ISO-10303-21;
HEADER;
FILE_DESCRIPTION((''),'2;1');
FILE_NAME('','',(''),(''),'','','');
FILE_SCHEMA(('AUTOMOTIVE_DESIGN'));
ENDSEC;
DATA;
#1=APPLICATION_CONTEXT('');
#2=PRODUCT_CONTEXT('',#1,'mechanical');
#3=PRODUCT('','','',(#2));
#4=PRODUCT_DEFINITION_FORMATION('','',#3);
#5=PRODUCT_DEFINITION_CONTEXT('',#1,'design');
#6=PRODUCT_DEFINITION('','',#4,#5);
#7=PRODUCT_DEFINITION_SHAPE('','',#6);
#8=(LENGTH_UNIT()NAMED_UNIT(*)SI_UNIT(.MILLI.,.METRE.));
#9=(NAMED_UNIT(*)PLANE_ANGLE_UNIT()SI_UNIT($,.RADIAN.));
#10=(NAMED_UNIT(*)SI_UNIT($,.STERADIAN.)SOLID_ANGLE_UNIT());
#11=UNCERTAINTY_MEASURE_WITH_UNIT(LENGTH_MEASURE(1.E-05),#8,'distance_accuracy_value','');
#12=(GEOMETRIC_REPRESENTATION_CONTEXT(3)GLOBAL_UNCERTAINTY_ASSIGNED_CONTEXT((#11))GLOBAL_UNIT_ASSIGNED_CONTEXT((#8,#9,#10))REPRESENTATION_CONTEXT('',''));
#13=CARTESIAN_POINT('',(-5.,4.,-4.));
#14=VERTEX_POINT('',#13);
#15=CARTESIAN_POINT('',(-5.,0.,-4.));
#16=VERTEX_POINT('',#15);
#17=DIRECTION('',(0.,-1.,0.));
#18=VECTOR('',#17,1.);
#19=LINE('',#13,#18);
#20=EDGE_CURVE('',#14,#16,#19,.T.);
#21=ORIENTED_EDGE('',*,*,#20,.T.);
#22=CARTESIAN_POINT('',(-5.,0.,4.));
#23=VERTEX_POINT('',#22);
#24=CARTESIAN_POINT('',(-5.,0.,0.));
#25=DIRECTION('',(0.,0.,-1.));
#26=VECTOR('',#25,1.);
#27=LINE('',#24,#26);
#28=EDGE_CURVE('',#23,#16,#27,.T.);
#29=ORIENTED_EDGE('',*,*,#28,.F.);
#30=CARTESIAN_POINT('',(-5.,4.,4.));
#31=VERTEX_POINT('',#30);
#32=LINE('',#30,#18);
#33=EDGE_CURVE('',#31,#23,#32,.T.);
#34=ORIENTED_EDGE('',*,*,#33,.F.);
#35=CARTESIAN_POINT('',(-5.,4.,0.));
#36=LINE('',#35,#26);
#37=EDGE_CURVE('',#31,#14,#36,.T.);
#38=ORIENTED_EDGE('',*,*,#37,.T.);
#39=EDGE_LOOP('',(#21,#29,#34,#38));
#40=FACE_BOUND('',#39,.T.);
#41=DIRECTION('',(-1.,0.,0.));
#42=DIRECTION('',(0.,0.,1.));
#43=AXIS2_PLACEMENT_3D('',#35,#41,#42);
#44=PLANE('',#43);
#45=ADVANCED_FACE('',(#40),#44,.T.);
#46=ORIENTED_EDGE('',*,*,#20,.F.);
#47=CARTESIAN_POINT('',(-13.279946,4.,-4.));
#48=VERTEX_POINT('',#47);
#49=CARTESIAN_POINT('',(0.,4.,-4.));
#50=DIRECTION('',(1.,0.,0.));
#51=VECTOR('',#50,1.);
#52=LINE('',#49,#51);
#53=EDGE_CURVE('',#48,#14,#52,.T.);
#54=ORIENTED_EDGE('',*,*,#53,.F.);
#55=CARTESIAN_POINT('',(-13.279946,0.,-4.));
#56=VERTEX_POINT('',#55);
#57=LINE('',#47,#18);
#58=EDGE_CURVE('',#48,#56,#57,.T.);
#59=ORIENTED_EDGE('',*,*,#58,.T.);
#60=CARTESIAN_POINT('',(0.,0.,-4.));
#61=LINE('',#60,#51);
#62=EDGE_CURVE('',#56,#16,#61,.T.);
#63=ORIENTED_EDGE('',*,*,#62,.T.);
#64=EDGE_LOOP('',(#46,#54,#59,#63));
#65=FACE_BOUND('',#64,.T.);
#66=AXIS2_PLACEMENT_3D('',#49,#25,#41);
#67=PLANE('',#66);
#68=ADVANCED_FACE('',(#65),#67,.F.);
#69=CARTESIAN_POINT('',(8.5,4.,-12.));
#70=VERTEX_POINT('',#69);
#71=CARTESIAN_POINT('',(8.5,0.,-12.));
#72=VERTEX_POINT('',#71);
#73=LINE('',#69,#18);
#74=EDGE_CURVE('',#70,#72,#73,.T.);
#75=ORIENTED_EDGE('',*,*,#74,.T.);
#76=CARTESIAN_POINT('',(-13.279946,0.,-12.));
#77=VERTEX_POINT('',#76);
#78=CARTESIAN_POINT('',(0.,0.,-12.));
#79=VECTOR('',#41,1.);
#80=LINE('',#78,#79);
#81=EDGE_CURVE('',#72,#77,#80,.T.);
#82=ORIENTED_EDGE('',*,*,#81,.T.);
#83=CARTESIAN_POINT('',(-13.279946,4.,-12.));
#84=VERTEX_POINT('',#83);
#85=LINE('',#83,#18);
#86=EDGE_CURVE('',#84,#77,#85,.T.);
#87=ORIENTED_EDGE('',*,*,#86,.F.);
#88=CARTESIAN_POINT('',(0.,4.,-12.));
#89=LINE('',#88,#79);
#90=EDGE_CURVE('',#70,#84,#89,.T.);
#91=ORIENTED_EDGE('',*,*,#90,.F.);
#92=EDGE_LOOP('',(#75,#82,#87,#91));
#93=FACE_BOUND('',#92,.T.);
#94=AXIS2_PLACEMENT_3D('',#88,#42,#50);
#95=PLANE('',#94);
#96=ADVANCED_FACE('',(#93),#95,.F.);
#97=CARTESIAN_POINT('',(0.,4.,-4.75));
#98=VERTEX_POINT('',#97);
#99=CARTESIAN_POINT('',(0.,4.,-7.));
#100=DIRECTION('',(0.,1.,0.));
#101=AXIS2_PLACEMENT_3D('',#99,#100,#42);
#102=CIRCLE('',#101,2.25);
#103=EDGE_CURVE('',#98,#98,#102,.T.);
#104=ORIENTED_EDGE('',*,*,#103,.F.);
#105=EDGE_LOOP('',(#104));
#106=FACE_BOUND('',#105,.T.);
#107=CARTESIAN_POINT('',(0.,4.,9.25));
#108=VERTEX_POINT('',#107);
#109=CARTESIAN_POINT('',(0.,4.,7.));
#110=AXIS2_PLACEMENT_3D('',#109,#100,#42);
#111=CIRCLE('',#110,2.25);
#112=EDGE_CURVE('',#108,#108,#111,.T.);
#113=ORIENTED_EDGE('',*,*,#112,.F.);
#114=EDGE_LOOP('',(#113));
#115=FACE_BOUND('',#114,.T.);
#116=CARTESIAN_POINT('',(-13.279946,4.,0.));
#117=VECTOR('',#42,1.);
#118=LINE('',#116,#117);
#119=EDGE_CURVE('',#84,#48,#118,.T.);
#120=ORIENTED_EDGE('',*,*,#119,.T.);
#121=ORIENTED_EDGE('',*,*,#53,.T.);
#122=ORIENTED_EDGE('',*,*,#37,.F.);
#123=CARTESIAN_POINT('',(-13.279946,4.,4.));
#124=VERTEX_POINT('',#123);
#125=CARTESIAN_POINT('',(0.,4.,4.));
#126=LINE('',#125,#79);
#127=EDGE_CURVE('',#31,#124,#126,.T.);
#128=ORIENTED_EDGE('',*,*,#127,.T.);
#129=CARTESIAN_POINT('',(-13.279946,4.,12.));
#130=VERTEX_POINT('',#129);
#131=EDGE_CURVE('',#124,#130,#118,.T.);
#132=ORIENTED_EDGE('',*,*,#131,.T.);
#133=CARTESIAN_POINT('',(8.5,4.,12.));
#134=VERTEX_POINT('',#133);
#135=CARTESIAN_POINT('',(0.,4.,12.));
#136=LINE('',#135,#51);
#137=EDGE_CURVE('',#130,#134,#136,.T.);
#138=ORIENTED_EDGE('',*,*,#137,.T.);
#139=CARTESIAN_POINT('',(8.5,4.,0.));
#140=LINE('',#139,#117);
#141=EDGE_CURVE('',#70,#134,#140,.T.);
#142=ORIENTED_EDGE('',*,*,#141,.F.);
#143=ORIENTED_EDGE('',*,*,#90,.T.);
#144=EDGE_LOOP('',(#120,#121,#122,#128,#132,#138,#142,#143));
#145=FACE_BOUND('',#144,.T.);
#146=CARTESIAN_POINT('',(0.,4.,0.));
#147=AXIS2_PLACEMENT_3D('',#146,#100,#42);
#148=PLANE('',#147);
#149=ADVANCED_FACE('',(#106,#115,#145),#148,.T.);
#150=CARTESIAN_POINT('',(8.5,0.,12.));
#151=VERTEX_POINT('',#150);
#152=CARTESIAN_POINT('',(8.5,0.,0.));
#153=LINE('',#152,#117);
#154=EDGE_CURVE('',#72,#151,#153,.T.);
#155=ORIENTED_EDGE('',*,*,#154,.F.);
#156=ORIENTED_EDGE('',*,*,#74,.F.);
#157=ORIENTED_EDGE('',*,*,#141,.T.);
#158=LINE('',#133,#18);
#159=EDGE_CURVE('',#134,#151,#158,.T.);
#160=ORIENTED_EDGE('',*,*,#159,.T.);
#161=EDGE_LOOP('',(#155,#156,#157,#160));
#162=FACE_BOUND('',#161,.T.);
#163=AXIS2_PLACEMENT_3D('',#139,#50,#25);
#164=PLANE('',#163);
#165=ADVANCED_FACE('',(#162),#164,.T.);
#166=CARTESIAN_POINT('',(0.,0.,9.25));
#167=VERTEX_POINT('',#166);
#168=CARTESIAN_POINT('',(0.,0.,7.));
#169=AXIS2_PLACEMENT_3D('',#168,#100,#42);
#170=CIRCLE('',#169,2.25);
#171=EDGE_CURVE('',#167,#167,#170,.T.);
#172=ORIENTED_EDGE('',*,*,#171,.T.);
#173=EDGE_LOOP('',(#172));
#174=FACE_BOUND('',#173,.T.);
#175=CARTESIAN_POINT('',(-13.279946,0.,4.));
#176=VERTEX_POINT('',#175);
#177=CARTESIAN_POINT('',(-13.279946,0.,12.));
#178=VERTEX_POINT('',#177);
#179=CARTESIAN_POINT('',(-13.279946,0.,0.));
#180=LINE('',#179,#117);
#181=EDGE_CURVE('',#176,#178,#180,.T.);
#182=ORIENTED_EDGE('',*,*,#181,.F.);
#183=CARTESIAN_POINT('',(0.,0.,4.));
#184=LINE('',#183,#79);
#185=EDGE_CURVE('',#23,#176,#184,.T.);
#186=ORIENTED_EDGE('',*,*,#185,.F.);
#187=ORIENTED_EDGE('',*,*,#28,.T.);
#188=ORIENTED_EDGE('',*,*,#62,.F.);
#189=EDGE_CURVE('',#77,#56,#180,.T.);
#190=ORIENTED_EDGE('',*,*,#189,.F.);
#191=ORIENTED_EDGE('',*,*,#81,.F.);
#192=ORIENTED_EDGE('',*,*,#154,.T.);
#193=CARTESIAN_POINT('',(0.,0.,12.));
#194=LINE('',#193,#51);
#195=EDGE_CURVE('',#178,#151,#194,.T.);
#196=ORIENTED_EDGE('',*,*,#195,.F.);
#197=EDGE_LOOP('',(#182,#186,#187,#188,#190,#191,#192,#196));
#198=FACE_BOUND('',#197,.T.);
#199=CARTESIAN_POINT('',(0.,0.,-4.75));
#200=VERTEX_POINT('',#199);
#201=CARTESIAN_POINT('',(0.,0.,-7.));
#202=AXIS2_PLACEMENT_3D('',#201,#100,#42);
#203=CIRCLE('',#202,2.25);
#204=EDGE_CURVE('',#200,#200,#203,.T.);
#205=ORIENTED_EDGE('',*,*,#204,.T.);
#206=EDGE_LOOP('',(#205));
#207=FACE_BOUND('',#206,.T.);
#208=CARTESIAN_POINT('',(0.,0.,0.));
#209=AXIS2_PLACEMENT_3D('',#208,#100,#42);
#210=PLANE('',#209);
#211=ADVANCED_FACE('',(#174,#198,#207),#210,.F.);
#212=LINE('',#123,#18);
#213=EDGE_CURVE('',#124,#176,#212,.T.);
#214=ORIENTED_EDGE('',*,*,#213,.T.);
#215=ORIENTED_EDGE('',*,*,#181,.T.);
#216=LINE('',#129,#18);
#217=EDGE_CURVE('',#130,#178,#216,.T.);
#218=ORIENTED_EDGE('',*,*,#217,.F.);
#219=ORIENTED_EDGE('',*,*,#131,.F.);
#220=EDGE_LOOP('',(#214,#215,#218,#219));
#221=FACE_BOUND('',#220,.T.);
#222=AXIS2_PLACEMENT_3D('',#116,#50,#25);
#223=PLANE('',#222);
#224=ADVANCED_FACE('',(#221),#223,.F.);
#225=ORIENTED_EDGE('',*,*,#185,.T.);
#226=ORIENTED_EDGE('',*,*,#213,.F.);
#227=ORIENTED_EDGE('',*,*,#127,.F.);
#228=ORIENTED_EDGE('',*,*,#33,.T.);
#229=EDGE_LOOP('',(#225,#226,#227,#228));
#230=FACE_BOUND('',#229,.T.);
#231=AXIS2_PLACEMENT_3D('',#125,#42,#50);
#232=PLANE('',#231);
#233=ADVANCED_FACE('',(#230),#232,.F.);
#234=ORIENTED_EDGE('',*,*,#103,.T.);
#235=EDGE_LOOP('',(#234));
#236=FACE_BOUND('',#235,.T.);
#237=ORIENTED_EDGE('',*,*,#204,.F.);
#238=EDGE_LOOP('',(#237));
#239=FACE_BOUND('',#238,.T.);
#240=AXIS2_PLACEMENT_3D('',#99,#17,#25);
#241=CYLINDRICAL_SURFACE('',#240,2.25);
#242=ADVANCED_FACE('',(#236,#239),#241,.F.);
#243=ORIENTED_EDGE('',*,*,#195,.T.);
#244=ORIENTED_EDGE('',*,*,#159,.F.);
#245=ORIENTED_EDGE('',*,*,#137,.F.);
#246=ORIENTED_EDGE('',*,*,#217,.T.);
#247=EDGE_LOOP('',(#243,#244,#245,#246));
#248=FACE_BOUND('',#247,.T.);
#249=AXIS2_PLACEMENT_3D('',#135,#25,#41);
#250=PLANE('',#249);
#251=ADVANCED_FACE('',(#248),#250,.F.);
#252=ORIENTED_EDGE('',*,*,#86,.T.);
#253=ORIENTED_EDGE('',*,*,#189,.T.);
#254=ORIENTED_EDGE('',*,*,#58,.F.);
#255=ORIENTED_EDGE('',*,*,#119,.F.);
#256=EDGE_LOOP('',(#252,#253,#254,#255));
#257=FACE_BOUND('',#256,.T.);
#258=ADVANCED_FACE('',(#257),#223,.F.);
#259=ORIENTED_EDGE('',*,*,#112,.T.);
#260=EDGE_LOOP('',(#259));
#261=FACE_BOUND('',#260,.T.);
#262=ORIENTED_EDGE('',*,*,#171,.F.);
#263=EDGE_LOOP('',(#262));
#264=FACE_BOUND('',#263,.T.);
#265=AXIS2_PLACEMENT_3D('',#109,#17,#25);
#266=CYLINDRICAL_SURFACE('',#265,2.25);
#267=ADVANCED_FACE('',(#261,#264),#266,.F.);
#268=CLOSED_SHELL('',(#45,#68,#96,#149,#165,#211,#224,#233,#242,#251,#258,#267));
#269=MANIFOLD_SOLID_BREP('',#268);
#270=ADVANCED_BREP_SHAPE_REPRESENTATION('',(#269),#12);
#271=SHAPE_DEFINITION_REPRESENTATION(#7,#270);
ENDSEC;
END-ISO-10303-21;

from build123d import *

# Parameters (mm, degrees)
SKETCH1_3_R         = 2.25
BOSS_EXTRUDE2_DEPTH = 4


with BuildPart() as part:
    # Sketch1<3> → Boss-Extrude2 (new body)
    with BuildSketch(Plane(origin=(0, 0, 0), x_dir=(1, 0, 0), z_dir=(0, 1, 0))):
        Polygon((-13.279945991, -4), (-13.279945991, -12), (8.5, -12), (8.5, 12), (-13.279945991, 12), (-13.279945991, 4), (-5, 4), (-5, -4), align=None)
        with Locations((0, -7)):
            Circle(SKETCH1_3_R, mode=Mode.SUBTRACT)
        with Locations((0, 7)):
            Circle(SKETCH1_3_R, mode=Mode.SUBTRACT)
    extrude(amount=BOSS_EXTRUDE2_DEPTH)


solid = part.part
